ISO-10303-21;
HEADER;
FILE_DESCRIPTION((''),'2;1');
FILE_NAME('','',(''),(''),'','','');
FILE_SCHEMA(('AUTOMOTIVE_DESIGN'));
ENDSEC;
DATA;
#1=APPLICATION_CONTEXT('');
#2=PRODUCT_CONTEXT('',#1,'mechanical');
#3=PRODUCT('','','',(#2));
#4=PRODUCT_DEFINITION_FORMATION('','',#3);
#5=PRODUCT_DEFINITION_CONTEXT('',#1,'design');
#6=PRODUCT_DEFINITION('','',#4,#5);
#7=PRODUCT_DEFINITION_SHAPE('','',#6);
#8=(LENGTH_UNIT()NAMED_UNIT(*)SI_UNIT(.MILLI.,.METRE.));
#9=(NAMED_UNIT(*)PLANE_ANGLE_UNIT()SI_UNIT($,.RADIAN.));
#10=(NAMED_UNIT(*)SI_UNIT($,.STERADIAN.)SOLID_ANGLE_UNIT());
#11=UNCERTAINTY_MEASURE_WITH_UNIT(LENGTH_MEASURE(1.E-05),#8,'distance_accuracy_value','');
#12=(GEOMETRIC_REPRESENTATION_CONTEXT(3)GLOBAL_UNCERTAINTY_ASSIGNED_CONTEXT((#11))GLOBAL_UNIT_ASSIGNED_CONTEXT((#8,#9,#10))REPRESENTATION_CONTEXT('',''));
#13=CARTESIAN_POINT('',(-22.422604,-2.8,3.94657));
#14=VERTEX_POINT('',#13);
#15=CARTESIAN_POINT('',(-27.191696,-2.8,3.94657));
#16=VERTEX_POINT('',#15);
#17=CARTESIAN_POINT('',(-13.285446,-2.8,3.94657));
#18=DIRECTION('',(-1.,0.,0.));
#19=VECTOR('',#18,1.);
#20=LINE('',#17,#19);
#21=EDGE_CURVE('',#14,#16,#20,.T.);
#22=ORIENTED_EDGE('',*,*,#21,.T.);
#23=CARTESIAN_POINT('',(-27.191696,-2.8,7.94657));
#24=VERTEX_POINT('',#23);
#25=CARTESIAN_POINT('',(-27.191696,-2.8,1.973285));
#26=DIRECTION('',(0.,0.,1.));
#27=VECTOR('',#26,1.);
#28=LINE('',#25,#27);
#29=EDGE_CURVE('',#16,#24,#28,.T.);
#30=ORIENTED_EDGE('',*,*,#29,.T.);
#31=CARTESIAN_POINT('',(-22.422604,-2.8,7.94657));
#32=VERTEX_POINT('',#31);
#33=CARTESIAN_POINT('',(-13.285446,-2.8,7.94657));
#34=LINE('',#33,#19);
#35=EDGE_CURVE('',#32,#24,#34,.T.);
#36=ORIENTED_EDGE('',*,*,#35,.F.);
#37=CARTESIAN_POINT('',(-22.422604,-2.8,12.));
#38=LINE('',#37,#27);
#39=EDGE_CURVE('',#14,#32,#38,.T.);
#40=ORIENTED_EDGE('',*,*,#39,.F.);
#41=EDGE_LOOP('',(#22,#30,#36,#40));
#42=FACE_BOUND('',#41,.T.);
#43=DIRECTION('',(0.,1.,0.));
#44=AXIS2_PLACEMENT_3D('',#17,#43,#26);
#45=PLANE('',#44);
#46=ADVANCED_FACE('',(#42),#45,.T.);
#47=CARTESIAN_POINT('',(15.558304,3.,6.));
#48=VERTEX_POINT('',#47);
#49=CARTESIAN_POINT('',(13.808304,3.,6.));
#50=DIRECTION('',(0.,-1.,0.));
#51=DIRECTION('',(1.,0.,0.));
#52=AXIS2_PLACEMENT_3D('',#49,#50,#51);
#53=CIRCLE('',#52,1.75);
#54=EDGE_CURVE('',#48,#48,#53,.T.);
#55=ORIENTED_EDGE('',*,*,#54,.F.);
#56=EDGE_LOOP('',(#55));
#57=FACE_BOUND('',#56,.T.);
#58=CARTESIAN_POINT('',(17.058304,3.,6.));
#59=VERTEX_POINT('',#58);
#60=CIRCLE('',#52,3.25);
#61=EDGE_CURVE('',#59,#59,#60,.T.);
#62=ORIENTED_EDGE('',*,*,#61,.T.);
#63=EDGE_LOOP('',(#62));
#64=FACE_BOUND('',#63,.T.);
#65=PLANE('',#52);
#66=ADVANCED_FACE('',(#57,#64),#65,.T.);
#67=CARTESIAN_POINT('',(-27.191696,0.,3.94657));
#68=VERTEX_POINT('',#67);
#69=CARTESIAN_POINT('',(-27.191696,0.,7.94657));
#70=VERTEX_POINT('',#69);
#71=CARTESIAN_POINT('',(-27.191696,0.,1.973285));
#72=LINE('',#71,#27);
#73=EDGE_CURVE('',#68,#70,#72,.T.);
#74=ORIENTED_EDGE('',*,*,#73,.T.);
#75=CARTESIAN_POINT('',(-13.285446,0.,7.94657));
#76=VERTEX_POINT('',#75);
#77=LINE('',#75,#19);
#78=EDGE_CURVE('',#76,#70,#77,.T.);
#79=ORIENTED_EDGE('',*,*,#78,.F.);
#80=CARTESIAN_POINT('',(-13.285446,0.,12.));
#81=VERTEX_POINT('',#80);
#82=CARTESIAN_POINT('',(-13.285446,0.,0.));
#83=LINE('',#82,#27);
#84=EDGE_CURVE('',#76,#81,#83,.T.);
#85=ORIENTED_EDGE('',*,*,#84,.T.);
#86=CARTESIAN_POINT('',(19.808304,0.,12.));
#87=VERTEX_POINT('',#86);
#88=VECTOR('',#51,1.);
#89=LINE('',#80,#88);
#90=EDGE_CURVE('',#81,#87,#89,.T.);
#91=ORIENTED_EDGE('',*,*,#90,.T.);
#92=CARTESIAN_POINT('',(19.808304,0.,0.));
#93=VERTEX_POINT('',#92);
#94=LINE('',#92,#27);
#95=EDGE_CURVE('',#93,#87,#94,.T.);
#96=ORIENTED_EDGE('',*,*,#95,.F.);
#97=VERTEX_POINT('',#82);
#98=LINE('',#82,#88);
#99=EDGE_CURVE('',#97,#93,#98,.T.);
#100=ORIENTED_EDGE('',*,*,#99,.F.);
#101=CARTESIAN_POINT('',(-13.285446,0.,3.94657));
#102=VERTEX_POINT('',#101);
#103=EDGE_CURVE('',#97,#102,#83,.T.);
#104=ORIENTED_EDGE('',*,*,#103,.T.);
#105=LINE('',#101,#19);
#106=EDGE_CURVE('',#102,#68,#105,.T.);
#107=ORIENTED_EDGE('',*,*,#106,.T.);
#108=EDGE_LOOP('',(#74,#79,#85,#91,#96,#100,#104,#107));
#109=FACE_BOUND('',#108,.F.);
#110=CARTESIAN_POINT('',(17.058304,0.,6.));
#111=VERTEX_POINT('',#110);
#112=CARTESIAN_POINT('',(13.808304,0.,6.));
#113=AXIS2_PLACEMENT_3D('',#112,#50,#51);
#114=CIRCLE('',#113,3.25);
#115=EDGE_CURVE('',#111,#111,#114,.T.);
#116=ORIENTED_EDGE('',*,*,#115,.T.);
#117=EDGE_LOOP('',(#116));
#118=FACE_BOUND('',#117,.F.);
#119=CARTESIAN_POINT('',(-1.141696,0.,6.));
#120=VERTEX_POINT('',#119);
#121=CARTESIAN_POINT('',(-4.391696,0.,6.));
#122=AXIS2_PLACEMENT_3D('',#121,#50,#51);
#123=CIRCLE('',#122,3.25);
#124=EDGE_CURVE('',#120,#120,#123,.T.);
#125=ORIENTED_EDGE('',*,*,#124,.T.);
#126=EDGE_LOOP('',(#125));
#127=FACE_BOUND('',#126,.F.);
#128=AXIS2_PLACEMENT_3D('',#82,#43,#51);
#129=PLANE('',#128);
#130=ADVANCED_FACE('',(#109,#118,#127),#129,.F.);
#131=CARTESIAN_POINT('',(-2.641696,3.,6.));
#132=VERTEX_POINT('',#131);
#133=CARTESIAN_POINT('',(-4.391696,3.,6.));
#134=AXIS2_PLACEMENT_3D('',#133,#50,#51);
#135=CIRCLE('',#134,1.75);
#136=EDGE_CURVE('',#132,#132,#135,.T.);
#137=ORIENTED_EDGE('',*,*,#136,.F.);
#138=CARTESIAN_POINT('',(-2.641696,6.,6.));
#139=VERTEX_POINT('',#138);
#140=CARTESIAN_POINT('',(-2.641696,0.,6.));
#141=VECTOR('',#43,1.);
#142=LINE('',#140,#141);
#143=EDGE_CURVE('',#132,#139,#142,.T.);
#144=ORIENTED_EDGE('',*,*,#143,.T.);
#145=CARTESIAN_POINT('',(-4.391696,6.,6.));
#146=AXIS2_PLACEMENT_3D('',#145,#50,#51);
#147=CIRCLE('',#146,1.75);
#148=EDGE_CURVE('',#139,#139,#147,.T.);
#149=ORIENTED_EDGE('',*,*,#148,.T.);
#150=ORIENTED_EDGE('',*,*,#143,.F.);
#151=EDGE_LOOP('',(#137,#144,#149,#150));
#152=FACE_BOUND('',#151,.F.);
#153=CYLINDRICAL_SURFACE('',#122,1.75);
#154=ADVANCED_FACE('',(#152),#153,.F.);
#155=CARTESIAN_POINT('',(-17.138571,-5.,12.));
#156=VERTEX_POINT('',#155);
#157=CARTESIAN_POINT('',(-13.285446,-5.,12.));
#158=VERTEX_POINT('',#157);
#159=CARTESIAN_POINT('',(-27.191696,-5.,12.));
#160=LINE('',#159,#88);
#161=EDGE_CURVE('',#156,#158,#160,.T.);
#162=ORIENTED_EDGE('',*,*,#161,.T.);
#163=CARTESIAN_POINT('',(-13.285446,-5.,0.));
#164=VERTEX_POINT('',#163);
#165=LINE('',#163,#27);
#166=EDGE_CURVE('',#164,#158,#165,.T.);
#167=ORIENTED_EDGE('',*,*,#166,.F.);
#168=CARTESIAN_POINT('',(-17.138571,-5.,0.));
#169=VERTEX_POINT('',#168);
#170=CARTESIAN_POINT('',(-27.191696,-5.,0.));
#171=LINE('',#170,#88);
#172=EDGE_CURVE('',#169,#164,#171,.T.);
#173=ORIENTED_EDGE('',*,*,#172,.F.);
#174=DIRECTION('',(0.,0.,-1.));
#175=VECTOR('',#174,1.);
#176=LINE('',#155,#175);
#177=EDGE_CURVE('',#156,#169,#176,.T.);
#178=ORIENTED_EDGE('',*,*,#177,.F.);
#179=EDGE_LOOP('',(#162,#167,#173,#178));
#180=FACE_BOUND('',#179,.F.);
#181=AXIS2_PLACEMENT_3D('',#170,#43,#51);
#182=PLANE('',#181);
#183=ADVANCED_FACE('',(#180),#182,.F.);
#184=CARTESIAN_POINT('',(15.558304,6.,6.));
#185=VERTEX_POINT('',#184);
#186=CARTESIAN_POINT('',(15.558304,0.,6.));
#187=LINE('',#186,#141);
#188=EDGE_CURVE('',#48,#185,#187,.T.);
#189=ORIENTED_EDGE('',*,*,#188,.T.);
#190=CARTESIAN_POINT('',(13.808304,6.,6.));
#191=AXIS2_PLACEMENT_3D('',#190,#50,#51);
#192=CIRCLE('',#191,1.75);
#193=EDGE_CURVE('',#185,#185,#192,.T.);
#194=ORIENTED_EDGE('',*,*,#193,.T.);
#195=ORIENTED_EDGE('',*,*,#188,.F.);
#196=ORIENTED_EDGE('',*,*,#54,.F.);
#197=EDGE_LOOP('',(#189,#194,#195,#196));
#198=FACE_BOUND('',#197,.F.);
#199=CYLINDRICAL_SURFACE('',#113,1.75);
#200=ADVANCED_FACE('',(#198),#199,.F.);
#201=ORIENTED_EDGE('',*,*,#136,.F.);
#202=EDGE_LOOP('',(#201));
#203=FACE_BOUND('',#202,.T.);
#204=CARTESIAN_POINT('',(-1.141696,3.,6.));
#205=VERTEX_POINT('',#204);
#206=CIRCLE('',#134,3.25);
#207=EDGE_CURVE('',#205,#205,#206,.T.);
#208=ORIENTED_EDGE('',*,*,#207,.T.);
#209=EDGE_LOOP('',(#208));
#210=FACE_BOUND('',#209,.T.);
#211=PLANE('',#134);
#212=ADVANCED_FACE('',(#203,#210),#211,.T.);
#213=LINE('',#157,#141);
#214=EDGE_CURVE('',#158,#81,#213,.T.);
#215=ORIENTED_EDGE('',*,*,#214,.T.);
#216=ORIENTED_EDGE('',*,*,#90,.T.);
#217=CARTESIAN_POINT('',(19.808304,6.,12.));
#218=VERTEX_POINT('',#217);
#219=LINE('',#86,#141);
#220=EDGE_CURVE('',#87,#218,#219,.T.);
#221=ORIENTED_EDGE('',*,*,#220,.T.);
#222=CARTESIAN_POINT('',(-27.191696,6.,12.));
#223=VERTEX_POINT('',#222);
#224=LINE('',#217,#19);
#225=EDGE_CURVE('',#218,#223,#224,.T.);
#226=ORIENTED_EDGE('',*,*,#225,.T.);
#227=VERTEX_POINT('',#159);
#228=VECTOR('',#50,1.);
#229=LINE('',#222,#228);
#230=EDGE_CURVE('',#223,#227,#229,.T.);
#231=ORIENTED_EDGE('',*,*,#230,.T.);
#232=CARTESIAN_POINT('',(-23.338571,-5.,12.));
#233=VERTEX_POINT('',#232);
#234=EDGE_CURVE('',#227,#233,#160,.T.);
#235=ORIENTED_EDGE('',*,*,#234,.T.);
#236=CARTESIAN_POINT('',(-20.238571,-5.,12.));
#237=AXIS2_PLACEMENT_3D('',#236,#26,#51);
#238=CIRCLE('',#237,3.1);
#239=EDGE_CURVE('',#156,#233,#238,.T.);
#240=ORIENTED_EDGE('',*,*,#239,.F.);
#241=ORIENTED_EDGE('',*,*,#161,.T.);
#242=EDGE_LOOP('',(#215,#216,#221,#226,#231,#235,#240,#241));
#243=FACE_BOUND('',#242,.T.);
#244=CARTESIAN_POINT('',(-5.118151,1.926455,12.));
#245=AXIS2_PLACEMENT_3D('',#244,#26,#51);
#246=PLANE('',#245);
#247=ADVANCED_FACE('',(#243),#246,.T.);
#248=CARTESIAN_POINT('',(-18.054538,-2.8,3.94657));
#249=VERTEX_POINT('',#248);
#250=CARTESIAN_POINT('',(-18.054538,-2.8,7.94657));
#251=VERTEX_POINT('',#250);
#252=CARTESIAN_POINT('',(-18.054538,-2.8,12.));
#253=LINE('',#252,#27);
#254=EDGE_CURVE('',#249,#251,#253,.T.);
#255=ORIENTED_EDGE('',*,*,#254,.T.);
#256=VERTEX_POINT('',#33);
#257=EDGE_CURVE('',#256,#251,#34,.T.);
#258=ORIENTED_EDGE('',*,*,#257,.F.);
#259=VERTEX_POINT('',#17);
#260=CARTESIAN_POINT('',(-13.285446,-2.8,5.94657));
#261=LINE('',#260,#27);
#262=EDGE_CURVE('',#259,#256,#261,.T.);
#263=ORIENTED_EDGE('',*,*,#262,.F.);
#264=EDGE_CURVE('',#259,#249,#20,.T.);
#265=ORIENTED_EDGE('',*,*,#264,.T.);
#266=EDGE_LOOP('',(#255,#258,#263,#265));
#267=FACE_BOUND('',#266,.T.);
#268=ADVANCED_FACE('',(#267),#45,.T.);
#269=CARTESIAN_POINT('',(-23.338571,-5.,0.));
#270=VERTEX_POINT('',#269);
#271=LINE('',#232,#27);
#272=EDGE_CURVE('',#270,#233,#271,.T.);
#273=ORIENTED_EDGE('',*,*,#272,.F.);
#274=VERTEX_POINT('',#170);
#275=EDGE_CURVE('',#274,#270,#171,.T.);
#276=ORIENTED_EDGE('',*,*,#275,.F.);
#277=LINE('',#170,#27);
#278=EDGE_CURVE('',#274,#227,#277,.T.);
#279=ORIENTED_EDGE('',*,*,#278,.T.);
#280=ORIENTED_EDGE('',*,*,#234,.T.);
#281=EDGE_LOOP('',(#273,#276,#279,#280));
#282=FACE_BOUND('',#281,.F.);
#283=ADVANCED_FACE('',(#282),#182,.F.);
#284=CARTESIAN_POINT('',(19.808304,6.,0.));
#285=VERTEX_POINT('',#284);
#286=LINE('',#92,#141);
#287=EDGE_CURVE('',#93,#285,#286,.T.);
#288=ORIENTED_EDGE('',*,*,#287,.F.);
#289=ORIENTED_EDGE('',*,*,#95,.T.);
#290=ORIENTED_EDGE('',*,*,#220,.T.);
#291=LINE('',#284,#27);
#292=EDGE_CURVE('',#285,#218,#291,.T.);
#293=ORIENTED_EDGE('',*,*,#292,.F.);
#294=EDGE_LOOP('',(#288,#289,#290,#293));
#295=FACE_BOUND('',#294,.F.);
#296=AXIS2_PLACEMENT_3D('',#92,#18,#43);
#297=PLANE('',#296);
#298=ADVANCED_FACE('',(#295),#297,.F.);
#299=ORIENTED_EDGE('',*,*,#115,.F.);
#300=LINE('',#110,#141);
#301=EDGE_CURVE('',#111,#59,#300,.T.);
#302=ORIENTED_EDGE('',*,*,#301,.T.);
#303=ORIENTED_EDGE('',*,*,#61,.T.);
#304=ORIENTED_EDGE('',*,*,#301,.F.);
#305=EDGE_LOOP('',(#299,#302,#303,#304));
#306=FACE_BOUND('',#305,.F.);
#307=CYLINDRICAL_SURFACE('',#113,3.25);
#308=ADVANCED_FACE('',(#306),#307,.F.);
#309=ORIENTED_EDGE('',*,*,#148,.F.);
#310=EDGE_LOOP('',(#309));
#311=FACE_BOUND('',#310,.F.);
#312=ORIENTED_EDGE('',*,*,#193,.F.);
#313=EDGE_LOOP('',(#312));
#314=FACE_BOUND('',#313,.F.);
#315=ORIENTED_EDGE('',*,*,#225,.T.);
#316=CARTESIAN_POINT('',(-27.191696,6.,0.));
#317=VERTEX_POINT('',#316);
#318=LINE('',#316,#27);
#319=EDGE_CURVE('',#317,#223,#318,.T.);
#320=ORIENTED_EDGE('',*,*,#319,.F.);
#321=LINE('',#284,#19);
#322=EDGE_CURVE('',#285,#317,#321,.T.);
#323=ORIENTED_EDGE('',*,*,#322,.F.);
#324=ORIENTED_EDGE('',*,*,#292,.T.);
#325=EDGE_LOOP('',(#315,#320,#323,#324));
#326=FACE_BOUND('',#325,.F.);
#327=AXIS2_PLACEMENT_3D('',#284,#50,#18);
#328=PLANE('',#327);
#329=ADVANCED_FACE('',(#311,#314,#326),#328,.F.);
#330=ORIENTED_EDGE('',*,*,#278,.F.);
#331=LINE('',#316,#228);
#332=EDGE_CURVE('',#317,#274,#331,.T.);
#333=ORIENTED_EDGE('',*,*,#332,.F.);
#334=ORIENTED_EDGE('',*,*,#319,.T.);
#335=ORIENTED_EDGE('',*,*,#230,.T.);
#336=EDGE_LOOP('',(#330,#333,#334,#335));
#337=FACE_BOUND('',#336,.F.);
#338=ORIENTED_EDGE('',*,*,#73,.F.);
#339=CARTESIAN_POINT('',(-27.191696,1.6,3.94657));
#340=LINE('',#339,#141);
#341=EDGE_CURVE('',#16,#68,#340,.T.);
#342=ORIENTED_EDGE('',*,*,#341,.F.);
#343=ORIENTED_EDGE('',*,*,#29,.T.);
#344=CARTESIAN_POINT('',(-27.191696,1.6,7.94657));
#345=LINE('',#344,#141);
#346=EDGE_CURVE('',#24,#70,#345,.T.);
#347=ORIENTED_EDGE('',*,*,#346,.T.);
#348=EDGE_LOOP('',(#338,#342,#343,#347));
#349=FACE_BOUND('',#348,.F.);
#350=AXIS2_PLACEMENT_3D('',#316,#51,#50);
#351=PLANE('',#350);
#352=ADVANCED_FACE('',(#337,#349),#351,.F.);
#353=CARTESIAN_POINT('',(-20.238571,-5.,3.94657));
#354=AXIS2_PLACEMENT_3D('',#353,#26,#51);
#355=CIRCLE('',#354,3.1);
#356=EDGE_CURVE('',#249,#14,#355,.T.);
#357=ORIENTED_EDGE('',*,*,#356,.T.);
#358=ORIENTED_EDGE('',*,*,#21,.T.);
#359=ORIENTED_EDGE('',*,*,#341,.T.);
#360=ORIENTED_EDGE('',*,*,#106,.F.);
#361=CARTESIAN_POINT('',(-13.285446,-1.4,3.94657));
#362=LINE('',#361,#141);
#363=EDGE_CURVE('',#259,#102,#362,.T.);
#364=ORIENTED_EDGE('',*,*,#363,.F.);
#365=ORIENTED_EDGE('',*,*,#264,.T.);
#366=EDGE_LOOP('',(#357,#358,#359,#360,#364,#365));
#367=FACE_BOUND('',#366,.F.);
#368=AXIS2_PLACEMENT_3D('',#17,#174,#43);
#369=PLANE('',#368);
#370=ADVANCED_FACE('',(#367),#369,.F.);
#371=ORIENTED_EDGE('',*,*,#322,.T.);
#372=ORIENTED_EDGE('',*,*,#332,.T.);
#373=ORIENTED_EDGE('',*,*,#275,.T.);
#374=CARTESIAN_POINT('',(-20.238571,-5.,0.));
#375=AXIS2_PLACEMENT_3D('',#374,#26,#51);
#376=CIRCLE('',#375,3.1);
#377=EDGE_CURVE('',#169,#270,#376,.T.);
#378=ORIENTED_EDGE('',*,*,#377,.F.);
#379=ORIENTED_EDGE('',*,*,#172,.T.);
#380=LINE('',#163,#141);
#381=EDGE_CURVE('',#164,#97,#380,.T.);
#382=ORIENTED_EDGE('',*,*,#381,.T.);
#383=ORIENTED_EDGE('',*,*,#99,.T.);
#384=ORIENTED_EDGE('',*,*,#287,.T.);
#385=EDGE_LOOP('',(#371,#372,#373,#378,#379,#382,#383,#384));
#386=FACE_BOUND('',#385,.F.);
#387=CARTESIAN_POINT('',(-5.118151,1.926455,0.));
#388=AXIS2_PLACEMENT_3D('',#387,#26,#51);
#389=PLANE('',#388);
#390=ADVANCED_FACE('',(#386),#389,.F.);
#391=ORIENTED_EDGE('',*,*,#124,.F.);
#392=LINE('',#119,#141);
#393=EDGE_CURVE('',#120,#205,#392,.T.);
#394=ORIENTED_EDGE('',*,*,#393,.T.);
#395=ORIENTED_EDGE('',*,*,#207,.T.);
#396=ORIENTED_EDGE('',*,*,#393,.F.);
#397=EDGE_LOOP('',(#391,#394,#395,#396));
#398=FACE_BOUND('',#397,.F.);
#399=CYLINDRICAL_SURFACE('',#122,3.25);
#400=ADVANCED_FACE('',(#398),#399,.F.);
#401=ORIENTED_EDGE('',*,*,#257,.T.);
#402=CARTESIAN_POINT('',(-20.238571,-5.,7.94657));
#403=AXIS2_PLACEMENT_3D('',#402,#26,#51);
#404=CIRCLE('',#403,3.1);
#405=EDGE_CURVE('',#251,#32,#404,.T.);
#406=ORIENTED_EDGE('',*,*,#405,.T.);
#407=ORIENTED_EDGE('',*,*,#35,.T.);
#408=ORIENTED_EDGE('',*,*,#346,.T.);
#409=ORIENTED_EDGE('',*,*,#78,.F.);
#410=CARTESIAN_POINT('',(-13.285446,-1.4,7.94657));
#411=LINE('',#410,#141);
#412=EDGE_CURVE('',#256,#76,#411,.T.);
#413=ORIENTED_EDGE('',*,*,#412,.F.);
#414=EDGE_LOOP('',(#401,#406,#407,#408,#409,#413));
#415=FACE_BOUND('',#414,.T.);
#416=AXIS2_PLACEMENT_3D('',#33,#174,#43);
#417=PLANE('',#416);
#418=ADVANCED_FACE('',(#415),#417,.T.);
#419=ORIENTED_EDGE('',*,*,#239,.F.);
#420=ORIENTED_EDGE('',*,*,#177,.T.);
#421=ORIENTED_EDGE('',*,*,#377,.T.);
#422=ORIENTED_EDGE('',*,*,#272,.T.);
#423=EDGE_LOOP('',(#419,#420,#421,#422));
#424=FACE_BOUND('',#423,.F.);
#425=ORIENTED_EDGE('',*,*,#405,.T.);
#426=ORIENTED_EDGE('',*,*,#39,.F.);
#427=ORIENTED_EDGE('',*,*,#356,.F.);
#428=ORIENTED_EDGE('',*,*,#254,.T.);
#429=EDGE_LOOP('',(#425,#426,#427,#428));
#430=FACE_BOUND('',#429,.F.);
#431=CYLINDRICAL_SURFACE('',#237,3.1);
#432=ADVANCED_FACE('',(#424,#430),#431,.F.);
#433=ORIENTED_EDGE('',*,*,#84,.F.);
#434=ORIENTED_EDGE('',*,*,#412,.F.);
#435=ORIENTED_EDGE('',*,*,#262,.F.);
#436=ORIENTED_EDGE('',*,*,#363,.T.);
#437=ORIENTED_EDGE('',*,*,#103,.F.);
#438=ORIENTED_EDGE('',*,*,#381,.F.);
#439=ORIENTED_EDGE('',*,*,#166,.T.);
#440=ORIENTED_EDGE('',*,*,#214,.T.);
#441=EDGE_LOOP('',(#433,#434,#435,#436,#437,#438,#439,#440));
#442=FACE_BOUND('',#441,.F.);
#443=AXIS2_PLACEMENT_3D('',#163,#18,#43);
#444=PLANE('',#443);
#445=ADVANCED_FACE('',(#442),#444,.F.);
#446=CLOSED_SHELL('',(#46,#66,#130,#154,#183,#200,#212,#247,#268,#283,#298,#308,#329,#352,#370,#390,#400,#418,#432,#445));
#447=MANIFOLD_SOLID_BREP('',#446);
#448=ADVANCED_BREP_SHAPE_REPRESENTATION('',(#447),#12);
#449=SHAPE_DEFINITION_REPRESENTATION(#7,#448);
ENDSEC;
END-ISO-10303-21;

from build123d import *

# Parameters (mm, degrees)
F1_DEPTH = 12
F2_R     = 3.1
F3_DEPTH = 12.001
F4_R     = 1.75
F5_DEPTH = 6.001
F6_R     = 3.25
F7_DEPTH = 3
F8_W     = 2.8
F8_H     = 4
F9_DEPTH = 13.90725


with BuildPart() as f1:
    # F0 (on Top) → F1 (new body)
    with BuildSketch(Plane.XY):
        Polygon((-13.285446, 0), (19.808304, 0), (19.808304, 6), (-27.191696, 6), (-27.191696, -5), (-13.285446, -5), align=None)
    extrude(amount=F1_DEPTH)

    # F2 (on face) → F3 (cut, through all)
    with BuildSketch(Plane.XY.offset(12)):
        with Locations((-20.238571, -5)):
            Circle(F2_R)
    extrude(amount=-F3_DEPTH, mode=Mode.SUBTRACT)

    # F4 (on face) → F5 (cut, through all)
    with BuildSketch(Plane.XZ):
        with Locations((13.808304, 6)):
            Circle(F4_R)
        with Locations((-4.391696, 6)):
            Circle(F4_R)
    extrude(amount=-F5_DEPTH, mode=Mode.SUBTRACT)

    # F6 (on face) → F7 (cut)
    with BuildSketch(Plane.XZ):
        with Locations((-4.391696, 6)):
            Circle(F6_R)
        with Locations((13.808304, 6)):
            Circle(F6_R)
    extrude(amount=-F7_DEPTH, mode=Mode.SUBTRACT)

    # F8 (on face) → F9 (cut, through all)
    with BuildSketch(Plane.YZ.offset(-13.285446)):
        with Locations((-1.4, 5.94657)):
            Rectangle(F8_W, F8_H)
    extrude(amount=-F9_DEPTH, mode=Mode.SUBTRACT)


solid = f1.part
